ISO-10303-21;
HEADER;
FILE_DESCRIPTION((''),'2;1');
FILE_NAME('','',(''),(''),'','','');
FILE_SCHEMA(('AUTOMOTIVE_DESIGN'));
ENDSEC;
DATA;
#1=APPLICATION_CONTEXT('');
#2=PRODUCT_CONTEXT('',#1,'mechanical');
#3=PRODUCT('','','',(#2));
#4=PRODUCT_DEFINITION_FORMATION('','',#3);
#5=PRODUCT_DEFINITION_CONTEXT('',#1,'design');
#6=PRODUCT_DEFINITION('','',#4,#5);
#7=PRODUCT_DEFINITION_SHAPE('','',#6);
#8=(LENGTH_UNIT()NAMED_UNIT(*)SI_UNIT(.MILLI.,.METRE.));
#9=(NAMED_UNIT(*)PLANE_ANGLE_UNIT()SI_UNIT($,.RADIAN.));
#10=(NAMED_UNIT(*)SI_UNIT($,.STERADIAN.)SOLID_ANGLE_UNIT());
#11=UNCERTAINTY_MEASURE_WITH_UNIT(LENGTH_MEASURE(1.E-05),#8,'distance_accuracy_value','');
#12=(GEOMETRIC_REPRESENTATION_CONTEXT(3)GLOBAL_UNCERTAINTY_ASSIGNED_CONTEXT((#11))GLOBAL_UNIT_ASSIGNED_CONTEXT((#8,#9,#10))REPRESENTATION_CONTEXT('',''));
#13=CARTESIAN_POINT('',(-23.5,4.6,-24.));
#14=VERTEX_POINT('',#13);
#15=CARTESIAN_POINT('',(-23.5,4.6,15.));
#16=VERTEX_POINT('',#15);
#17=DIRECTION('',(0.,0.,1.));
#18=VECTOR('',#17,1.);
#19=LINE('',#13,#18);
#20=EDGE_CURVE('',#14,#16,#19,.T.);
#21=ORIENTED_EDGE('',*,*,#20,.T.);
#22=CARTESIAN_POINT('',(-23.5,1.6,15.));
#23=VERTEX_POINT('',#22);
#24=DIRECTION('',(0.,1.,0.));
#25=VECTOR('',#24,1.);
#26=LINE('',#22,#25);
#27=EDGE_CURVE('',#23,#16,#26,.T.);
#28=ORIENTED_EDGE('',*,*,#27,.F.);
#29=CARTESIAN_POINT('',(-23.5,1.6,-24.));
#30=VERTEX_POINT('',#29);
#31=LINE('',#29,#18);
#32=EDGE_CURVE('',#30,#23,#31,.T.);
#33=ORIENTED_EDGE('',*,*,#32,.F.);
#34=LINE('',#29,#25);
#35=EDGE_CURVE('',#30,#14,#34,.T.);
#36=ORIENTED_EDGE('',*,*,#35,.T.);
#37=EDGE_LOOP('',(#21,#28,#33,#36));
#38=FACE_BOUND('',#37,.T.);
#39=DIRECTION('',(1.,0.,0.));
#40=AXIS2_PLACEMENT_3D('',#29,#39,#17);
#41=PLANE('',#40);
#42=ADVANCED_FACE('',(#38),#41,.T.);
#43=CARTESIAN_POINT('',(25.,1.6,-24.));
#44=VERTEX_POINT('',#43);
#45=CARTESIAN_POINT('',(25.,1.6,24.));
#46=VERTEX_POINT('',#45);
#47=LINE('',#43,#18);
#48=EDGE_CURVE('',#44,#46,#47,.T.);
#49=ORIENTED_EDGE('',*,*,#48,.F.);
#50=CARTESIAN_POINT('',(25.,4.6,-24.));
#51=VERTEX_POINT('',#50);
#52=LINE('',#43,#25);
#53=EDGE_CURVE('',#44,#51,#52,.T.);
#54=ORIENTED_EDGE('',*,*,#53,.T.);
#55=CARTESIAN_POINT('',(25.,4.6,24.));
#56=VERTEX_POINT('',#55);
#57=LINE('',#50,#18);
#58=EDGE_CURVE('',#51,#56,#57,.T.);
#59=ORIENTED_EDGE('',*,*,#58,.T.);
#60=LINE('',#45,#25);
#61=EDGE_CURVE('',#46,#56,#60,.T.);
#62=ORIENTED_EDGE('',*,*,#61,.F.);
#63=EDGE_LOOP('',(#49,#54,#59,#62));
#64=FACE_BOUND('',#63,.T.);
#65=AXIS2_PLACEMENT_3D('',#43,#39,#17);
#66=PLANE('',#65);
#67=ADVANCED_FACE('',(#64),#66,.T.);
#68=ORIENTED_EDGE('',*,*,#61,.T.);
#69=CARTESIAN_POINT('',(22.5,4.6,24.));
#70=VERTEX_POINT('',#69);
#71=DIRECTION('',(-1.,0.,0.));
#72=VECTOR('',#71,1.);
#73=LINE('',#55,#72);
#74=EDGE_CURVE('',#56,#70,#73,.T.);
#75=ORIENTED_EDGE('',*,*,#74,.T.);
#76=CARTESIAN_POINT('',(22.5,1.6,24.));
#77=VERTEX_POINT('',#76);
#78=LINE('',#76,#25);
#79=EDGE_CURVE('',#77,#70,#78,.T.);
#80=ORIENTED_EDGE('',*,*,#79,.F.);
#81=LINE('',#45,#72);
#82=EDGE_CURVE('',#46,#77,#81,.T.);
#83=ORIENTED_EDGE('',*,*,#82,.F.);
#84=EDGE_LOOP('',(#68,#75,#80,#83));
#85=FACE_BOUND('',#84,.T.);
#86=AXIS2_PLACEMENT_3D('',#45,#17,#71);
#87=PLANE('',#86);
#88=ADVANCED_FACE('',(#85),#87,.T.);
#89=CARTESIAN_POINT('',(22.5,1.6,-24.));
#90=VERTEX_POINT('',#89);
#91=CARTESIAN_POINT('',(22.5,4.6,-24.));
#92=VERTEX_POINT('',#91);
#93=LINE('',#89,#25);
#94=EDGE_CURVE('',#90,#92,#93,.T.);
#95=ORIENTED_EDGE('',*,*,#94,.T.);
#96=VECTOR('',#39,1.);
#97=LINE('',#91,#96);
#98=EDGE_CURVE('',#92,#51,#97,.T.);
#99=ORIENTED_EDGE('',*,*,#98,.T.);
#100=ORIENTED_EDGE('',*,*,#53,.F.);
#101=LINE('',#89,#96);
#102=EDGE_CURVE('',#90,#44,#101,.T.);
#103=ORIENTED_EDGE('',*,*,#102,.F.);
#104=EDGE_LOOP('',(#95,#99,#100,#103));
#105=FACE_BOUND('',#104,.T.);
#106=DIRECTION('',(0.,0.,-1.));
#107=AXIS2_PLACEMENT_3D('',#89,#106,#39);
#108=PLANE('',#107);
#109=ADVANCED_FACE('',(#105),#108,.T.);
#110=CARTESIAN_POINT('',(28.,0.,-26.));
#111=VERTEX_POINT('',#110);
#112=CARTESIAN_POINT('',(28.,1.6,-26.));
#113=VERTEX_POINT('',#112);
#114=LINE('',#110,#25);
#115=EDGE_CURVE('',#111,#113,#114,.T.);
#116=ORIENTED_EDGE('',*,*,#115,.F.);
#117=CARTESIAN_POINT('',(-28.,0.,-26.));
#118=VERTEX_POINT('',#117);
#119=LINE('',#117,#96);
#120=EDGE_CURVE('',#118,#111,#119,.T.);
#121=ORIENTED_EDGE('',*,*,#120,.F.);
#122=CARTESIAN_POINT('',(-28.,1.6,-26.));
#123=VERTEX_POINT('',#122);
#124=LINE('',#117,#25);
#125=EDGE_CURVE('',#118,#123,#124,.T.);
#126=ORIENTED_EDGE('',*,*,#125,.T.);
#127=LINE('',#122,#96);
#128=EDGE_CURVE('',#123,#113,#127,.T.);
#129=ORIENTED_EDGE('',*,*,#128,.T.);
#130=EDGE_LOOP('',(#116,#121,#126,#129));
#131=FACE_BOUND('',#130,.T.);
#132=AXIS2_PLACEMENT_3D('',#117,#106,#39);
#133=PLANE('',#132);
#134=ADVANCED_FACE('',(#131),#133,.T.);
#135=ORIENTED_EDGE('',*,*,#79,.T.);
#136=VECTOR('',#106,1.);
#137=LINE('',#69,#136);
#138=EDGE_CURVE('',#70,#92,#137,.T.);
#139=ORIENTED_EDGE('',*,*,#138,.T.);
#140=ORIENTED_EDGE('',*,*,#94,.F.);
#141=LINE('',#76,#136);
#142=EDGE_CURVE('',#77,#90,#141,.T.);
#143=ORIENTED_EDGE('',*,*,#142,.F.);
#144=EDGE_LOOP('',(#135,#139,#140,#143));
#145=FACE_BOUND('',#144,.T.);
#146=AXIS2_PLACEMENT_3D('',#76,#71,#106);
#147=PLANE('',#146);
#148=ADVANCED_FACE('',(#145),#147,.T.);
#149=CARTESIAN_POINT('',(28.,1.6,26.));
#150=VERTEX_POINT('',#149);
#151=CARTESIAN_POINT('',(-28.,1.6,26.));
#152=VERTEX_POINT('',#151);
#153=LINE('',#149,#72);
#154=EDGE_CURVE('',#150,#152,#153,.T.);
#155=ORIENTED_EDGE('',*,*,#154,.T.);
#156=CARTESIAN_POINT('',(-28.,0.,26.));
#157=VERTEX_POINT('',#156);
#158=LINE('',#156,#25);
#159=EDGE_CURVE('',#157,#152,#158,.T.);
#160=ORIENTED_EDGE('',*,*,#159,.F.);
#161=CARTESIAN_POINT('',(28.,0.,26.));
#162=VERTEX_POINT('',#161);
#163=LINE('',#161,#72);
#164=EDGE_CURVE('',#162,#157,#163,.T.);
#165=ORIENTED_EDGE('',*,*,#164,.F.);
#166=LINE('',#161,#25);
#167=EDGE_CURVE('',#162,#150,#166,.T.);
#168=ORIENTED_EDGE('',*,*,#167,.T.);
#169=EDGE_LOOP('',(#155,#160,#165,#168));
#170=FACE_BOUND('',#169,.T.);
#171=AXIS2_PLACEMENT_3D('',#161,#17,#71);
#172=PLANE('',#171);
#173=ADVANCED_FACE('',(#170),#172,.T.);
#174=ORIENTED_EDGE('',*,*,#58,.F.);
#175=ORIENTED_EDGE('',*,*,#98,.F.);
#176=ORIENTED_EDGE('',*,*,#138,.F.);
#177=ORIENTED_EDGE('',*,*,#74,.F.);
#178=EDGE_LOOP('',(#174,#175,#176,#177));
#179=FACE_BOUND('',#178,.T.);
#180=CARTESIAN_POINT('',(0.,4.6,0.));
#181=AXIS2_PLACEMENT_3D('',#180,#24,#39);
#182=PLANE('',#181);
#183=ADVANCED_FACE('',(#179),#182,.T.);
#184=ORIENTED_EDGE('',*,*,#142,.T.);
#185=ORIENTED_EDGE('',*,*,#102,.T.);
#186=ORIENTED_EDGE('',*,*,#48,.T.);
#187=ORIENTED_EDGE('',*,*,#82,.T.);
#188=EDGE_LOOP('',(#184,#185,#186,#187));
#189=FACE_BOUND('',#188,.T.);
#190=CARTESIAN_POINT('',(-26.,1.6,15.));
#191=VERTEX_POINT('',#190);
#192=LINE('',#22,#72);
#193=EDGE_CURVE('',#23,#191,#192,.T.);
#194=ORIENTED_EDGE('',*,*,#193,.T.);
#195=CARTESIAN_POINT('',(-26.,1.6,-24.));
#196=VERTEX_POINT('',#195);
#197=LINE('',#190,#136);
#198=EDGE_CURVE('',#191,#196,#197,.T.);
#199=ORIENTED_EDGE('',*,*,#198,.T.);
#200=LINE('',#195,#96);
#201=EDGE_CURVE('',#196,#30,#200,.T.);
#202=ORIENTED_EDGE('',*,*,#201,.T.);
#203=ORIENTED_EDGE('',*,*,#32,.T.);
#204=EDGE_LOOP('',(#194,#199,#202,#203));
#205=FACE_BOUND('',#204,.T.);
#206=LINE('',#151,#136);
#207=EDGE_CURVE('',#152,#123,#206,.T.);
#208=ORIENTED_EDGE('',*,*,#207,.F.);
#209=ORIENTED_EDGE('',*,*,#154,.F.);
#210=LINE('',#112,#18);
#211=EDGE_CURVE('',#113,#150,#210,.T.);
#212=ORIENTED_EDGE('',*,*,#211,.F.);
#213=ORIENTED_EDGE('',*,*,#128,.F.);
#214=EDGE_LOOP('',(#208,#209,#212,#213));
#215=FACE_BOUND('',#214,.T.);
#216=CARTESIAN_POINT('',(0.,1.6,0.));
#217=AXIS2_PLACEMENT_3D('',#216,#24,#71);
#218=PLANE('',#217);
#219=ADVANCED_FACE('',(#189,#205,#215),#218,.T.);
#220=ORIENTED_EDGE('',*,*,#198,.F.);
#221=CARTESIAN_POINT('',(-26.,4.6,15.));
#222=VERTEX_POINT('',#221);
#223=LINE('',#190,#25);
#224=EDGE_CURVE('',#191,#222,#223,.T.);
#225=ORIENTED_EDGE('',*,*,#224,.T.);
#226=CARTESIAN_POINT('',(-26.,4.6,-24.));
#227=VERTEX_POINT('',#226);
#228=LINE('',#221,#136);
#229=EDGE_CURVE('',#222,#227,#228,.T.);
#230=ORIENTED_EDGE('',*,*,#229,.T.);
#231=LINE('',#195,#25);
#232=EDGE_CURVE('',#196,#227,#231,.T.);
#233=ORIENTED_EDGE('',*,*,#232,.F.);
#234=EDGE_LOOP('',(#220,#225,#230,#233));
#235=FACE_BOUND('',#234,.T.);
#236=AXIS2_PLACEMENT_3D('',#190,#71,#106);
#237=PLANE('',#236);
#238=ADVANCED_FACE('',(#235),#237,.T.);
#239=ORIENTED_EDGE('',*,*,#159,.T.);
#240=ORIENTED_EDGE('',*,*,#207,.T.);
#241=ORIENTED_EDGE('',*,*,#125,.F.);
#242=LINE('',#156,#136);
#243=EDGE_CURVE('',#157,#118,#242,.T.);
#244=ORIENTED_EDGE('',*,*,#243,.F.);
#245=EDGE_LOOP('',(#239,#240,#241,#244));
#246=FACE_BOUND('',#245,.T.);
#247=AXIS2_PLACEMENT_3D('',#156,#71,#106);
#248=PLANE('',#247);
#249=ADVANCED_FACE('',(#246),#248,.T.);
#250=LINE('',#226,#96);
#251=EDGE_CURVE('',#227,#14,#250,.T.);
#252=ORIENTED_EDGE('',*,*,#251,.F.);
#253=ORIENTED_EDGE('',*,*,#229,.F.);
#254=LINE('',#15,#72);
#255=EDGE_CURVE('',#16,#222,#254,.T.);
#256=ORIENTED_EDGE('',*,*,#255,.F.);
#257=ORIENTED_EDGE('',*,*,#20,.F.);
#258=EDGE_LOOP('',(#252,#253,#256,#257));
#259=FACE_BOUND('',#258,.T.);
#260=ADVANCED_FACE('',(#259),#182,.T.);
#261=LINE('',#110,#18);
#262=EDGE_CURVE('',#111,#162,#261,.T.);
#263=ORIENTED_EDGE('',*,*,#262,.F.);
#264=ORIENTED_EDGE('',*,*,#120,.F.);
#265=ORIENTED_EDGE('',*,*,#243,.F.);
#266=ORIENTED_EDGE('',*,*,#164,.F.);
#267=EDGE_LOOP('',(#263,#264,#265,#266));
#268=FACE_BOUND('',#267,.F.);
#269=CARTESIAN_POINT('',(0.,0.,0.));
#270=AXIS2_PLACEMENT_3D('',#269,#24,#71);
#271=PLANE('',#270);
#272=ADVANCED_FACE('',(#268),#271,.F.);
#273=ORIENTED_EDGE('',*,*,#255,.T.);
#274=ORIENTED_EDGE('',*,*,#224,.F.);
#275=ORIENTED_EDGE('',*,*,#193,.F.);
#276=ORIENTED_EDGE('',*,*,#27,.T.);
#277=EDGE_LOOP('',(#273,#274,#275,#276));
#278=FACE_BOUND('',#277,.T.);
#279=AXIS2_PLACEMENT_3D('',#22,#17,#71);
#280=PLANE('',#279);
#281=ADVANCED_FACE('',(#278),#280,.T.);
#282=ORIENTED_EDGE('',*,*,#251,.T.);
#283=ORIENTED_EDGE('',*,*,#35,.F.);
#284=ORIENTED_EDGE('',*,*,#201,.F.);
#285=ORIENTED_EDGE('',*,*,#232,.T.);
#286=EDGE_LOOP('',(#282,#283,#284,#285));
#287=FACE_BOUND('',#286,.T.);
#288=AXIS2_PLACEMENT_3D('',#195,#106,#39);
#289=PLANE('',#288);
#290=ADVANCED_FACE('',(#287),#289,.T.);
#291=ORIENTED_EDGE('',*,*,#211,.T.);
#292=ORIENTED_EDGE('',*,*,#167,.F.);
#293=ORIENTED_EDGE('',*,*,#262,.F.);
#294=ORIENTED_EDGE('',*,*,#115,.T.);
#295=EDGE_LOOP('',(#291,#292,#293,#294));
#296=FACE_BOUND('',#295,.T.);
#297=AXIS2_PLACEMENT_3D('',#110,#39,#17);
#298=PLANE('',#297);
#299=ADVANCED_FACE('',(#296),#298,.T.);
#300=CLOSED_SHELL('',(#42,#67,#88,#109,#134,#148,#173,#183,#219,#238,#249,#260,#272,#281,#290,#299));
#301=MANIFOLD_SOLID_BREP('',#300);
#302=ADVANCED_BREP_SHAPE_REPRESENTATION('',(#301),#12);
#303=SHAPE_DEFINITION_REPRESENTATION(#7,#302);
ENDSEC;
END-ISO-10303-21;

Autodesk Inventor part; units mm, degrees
ref_plane "YZ Plane" through (0, 0, 0) normal (1, 0, 0) x (0, 1, 0)
ref_plane "XZ Plane" through (0, 0, 0) normal (0, 1, 0) x (-1, 0, 0)
ref_plane "XY Plane" through (0, 0, 0) normal (0, 0, 1) x (1, 0, 0)
sketch "Esquisse1" plane through (0, 0, 0) normal (0, 1, 0) x (-1, 0, 0)
  line L0 (28, -26) -> (-28, -26)
  line L1 (-28, -26) -> (-28, 26)
  line L2 (-28, 26) -> (28, 26)
  line L3 (28, 26) -> (28, -26)
  point P0 (0, 0)
  dimension "d0" = 56
  dimension "d1" = 28
  dimension "d2" = 52
  dimension "d3" = 26
extrude "Extrusion1" add sketch "Esquisse1" along normal blind 1.6
sketch "Esquisse2" plane through (0, 1.6, 0) normal (0, 1, 0) x (1, 0, 0)
  line L0 (-26, 24) -> (-23.5, 24)
  line L1 (-23.5, 24) -> (-23.5, -15)
  line L2 (-23.5, -15) -> (-26, -15)
  line L3 (-26, -15) -> (-26, 24)
  line L4 (22.5, 24) -> (25, 24)
  line L5 (25, 24) -> (25, -24)
  line L6 (25, -24) -> (22.5, -24)
  line L7 (22.5, -24) -> (22.5, 24)
  line L8 (28, 26) -> (-28, 26) projected
  line L9 (-28, 26) -> (-28, -26) projected
  point P0 (0, 0)
  dimension "d6" = 2.5
  dimension "d7" = 2.5
  dimension "d8" = 39
  dimension "d9" = 48
  dimension "d10" = 2
  dimension "d11" = 2
  dimension "d12" = 46
extrude "Extrusion2" add sketch "Esquisse2" along normal blind 3
equation "\"d1\" = 0.5 * d0"
equation "\"d3\" = 0.5 * d2"
properties part number "PCB Wifi" material "Nylon, disulfure de molybdène"
